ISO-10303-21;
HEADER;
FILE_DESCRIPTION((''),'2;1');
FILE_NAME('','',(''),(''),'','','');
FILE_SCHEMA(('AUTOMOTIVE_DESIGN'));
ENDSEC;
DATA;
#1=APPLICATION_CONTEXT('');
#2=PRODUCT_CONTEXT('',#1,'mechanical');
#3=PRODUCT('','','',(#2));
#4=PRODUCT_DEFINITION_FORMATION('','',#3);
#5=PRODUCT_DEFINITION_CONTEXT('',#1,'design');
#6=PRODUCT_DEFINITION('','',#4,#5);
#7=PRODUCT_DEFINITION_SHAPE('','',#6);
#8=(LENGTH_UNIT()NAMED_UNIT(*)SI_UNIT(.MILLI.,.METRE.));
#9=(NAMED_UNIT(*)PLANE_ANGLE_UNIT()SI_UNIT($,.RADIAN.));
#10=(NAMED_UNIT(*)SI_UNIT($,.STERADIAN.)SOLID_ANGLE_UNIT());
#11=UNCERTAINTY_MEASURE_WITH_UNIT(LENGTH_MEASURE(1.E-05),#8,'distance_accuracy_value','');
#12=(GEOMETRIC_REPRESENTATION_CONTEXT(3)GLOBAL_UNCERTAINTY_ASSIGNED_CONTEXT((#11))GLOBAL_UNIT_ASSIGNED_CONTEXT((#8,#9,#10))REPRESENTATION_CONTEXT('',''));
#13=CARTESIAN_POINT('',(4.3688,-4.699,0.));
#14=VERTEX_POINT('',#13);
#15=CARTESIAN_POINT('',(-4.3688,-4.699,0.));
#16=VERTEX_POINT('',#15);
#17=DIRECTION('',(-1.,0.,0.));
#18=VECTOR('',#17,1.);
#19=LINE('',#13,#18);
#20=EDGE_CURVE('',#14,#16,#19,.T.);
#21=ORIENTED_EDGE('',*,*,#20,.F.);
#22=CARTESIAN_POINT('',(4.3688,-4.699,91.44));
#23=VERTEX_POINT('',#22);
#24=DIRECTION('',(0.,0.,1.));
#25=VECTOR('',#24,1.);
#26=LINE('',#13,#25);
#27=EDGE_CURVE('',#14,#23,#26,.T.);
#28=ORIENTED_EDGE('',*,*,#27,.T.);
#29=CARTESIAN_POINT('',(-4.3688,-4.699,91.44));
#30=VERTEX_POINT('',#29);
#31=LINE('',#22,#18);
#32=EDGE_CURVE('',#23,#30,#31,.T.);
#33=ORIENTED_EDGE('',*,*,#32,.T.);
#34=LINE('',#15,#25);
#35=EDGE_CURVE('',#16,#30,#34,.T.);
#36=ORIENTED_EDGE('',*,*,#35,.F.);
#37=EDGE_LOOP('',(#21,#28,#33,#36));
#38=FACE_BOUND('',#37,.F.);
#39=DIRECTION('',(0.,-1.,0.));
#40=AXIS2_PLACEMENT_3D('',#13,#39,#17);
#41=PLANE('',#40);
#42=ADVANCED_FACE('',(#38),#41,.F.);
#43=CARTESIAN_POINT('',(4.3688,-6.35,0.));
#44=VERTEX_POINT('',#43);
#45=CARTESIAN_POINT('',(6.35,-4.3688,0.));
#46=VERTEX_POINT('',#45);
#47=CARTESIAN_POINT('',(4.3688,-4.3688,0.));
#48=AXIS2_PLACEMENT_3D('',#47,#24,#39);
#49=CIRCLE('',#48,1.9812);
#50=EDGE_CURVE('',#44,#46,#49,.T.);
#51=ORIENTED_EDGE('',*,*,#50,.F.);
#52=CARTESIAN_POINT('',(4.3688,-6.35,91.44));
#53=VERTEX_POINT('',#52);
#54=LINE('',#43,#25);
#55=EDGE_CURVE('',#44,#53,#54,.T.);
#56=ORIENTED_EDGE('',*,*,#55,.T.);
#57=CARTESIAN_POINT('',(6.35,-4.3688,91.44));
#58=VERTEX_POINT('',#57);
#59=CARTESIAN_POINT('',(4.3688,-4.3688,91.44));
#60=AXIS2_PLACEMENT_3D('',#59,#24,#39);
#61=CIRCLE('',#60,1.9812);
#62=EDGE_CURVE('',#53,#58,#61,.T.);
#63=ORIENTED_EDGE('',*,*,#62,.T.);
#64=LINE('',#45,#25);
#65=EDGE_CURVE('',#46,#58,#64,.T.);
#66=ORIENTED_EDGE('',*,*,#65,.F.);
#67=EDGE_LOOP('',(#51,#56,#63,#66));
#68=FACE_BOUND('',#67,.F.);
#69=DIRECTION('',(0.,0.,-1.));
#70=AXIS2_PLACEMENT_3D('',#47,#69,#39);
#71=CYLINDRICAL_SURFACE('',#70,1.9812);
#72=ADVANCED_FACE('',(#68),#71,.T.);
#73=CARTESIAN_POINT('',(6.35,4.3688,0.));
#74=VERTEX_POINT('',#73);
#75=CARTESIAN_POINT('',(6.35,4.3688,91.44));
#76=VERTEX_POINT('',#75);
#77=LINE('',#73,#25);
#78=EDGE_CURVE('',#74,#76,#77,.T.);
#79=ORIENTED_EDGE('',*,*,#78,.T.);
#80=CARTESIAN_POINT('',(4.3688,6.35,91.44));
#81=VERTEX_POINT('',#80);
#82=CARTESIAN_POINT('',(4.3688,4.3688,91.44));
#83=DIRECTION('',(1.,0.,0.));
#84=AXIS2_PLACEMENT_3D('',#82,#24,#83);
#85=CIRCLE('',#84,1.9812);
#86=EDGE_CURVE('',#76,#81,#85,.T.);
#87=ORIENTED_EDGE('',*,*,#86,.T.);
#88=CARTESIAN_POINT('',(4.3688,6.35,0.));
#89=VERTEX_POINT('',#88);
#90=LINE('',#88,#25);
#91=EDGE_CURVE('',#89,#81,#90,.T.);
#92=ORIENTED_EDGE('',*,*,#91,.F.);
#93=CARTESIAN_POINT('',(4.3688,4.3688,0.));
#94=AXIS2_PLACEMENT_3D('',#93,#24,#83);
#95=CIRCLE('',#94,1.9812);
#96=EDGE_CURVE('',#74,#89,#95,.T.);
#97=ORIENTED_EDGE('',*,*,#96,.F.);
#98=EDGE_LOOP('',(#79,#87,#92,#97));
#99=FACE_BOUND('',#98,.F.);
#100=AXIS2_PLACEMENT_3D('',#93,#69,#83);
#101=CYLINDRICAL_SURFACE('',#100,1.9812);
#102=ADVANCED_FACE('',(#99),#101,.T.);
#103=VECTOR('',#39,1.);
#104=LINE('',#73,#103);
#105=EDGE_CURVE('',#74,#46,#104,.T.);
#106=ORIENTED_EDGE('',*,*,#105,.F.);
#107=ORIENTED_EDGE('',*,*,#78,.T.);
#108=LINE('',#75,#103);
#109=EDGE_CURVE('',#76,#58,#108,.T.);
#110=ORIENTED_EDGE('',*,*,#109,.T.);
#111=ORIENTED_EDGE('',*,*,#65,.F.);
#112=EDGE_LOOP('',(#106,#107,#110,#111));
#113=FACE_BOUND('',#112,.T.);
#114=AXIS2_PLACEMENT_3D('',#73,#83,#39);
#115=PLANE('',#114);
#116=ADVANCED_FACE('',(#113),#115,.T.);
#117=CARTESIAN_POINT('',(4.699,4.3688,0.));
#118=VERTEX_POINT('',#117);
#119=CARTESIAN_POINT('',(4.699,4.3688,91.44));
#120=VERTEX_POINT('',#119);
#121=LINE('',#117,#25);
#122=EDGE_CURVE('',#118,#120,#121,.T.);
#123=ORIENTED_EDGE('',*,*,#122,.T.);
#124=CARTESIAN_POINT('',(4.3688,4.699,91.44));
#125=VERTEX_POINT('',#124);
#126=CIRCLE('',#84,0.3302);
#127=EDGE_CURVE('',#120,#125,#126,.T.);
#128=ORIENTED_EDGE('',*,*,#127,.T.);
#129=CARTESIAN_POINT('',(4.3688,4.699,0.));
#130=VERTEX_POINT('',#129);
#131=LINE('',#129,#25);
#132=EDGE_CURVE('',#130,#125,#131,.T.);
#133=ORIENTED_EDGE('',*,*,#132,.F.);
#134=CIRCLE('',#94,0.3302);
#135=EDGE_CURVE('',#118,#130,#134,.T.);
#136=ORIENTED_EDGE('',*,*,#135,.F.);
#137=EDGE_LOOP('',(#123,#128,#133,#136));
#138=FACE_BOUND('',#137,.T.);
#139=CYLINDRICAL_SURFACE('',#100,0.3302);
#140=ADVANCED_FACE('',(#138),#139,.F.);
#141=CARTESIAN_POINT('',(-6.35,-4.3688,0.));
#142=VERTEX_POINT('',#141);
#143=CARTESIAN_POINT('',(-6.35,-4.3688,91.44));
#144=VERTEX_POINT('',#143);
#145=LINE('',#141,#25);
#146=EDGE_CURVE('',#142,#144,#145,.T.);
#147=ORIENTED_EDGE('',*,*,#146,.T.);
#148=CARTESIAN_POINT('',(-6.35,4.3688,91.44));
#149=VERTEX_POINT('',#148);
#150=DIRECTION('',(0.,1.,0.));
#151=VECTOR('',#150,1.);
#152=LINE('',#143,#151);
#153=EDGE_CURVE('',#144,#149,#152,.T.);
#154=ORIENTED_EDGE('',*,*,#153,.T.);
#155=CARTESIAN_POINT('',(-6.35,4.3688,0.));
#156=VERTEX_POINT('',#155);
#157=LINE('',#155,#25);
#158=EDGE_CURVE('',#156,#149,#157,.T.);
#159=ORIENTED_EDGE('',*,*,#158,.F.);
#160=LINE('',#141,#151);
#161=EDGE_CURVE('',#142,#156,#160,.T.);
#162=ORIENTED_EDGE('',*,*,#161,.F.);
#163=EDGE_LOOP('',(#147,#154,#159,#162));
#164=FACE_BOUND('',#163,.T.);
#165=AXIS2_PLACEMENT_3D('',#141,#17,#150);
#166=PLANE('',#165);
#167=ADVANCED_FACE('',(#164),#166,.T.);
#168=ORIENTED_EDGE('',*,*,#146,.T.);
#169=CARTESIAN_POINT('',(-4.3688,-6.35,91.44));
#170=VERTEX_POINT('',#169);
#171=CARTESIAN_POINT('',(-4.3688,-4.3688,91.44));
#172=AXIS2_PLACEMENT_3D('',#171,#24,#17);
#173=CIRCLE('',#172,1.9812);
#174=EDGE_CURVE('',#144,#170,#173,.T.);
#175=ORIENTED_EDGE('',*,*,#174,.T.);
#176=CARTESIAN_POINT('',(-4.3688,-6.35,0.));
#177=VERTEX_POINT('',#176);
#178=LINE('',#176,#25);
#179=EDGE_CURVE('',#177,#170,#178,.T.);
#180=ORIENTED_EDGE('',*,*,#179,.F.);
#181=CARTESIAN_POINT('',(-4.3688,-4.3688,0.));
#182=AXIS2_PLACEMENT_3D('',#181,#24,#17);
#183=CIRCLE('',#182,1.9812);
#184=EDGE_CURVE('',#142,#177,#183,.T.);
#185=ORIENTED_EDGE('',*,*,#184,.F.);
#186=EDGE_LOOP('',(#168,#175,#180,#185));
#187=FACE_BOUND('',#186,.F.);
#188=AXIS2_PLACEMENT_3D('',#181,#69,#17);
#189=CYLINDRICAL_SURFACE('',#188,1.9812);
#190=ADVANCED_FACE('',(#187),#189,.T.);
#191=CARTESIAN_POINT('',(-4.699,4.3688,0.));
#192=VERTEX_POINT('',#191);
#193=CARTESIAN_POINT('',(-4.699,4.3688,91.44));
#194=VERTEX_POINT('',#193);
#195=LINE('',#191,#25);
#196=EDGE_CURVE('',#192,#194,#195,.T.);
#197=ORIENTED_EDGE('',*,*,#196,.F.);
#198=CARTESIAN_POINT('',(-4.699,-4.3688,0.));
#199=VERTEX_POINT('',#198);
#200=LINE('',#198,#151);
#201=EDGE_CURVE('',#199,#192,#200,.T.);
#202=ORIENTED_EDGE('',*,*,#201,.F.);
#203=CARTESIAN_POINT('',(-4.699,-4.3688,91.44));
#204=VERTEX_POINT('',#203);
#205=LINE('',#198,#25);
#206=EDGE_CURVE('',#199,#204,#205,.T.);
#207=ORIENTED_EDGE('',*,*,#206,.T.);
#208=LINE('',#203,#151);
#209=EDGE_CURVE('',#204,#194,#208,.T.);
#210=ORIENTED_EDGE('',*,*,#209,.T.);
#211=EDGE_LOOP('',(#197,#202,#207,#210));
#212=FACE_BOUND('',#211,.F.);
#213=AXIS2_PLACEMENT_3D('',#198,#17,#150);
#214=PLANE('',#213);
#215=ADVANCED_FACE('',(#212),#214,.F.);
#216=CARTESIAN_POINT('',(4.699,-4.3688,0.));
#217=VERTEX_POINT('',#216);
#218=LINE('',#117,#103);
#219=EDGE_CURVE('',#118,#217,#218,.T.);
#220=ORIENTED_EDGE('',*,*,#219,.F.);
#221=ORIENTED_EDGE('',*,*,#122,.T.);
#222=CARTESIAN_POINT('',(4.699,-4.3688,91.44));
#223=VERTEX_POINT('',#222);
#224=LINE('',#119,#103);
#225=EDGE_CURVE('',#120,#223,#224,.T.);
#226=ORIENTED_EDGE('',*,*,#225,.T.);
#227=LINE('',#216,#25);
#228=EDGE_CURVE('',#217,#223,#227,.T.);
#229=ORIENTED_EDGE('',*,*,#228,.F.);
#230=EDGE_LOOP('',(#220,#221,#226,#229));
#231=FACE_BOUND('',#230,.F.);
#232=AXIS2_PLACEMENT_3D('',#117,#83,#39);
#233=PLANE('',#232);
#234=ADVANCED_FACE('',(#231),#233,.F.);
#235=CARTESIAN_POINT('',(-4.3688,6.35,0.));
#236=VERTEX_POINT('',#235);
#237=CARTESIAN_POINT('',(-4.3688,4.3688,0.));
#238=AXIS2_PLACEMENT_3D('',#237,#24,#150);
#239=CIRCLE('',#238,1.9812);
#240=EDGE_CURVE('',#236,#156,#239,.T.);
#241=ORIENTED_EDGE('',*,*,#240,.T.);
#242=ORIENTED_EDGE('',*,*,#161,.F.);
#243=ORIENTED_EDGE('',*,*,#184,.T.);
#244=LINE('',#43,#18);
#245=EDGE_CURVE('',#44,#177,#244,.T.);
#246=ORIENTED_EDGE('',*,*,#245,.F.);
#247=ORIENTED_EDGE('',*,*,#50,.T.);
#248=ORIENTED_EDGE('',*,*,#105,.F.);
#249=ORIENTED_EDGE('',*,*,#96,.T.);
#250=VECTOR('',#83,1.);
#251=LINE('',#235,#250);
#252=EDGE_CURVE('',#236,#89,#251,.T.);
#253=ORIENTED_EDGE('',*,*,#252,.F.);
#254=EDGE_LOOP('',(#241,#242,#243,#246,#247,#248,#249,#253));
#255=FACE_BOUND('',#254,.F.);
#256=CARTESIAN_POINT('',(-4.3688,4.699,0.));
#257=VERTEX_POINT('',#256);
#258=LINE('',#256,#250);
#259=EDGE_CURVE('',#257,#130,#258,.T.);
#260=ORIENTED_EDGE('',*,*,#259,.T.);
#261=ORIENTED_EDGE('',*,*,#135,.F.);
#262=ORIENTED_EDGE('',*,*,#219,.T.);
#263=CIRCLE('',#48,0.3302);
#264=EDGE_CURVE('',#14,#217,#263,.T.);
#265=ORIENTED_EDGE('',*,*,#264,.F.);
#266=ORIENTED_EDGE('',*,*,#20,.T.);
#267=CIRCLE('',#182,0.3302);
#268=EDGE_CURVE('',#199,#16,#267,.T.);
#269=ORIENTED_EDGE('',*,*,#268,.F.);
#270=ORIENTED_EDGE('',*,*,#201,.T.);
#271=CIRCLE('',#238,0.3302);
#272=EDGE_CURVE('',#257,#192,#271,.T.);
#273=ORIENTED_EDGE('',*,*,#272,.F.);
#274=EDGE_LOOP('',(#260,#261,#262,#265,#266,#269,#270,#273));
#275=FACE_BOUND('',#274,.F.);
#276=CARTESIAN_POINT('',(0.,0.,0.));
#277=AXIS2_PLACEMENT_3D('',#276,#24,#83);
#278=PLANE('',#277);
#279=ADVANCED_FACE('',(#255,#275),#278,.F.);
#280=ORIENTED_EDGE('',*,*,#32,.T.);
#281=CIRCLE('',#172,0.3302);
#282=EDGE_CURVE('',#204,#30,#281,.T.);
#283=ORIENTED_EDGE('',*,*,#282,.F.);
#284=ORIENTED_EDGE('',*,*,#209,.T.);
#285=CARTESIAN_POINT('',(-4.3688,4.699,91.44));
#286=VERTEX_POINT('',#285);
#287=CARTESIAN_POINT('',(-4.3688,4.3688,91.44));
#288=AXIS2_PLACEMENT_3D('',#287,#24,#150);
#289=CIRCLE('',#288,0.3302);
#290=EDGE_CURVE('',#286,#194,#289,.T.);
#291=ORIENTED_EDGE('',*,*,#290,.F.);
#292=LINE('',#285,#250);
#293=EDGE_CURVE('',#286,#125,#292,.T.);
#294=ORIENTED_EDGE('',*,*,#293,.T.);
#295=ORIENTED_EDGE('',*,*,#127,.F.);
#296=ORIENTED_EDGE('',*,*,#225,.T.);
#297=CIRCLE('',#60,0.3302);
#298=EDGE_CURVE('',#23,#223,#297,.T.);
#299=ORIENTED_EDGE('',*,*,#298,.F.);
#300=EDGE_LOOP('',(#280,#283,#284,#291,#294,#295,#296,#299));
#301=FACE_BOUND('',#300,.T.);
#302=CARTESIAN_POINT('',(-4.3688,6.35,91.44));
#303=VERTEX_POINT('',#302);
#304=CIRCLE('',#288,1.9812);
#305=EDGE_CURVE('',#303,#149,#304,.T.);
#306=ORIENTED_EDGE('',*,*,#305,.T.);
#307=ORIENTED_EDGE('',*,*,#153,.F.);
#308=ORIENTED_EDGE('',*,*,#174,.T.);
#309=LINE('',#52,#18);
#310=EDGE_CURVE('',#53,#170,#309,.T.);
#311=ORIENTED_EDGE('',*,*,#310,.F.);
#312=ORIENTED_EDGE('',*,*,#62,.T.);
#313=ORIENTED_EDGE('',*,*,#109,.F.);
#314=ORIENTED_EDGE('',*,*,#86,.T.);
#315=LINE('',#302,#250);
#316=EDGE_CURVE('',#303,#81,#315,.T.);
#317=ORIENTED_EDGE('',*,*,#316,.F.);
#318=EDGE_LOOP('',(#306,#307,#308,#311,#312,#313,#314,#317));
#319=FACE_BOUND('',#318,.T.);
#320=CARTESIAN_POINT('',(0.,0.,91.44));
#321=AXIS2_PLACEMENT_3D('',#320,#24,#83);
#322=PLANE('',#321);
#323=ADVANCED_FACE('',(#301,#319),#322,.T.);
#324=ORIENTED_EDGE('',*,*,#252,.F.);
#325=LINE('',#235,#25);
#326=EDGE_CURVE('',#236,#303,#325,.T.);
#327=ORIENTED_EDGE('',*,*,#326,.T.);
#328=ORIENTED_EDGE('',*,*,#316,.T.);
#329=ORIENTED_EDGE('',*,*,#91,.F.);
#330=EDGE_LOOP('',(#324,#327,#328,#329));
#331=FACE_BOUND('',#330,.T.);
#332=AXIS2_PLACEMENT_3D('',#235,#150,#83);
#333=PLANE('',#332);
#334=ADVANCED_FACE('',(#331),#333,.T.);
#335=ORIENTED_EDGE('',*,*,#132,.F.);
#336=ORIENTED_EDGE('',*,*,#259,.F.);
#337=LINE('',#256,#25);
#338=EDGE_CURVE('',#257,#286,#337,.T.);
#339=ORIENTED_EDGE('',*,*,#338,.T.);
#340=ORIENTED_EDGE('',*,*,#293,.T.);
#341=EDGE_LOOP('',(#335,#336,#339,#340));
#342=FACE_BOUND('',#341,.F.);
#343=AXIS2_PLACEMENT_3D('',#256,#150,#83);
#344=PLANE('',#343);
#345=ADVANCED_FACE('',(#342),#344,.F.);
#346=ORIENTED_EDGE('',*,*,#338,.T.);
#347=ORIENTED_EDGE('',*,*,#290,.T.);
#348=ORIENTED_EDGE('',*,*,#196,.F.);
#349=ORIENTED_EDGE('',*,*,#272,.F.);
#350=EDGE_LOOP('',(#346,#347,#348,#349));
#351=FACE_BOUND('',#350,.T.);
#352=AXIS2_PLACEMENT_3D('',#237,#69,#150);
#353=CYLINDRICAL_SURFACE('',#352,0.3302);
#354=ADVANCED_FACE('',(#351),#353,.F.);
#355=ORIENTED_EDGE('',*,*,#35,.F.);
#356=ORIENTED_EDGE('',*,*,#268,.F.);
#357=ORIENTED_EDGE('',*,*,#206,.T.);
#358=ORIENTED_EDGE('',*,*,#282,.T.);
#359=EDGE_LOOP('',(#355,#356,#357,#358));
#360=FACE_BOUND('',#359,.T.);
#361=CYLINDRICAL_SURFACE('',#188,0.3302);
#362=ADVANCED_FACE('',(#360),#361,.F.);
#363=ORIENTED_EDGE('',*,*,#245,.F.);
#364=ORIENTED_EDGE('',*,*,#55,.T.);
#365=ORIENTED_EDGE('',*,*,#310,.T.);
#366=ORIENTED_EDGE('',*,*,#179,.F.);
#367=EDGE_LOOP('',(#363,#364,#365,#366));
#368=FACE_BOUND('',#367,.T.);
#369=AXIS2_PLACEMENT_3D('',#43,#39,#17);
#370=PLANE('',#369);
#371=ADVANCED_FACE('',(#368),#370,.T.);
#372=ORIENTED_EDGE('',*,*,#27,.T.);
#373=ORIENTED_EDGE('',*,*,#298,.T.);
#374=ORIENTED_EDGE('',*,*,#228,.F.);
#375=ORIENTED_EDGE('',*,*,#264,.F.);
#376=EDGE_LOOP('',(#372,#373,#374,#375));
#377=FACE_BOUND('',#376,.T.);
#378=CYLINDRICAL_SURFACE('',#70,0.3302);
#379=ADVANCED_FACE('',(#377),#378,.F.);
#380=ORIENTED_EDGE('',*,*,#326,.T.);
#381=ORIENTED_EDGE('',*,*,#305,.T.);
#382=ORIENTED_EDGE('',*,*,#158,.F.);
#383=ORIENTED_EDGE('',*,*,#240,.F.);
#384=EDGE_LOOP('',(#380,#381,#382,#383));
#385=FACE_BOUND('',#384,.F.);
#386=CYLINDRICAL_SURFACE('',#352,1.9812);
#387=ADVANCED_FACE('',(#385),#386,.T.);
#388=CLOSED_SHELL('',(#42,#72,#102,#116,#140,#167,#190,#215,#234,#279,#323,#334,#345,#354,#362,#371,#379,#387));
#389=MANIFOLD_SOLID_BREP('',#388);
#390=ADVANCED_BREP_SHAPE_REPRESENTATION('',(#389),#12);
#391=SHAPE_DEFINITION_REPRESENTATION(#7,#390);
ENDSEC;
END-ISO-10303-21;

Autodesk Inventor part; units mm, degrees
ref_plane "YZ Plane" through (0, 0, 0) normal (1, 0, 0) x (0, 1, 0)
ref_plane "Start plane" through (0, 0, 0) normal (0, 0, 1) x (1, 0, 0)
ref_plane "End plane" through (0, 0, 91.44) normal (0, 0, 1) x (1, 0, 0)
sketch "Sketch" plane through (0, 0, 0) normal (0, 0, 1) x (1, 0, 0)
  line L0 (-6.35, -4.3688) -> (-6.35, 4.3688)
  line L1 (-4.3688, 6.35) -> (4.3688, 6.35)
  line L2 (6.35, 4.3688) -> (6.35, -4.3688)
  line L3 (4.3688, -6.35) -> (-4.3688, -6.35)
  arc A0 (-6.35, -4.3688) -> (-4.3688, -6.35) centre (-4.3688, -4.3688) ccw
  arc A1 (-4.3688, 6.35) -> (-6.35, 4.3688) centre (-4.3688, 4.3688) ccw
  arc A2 (6.35, 4.3688) -> (4.3688, 6.35) centre (4.3688, 4.3688) ccw
  arc A3 (4.3688, -6.35) -> (6.35, -4.3688) centre (4.3688, -4.3688) ccw
  arc A4 (-4.3688, 4.699) -> (-4.699, 4.3688) centre (-4.3688, 4.3688) ccw
  line L4 (-4.3688, 4.699) -> (4.3688, 4.699)
  arc A5 (4.699, 4.3688) -> (4.3688, 4.699) centre (4.3688, 4.3688) ccw
  line L5 (4.699, 4.3688) -> (4.699, -4.3688)
  arc A6 (4.3688, -4.699) -> (4.699, -4.3688) centre (4.3688, -4.3688) ccw
  line L6 (4.3688, -4.699) -> (-4.3688, -4.699)
  arc A7 (-4.699, -4.3688) -> (-4.3688, -4.699) centre (-4.3688, -4.3688) ccw
  line L7 (-4.699, -4.3688) -> (-4.699, 4.3688)
  line L8 (0, 9.4644) -> (0, -9.4644) construction
  line L9 (-10.1124, 0) -> (13.3521, 0) construction
  dimension "d10" = 12.7
  dimension "d11" = 12.7
  dimension "d12" = 1.651
  dimension "d15" = 6.35
  dimension "d16" = 6.35
  dimension "d17" = 1.9812
extrude "Body" add sketch "Sketch" along normal up to surface (91.44 mm away) from surface at 0
sketch "Sketch3" plane through (0, 0, 0) normal (0, 0, 1) x (1, 0, 0)
  line L0 (0, 0) -> (10, 0)
ref_plane "Work Plane3" through (0, 0, 0) normal (0, -1, 0) x (1, 0, 0)
sketch "Sketch4" plane through (0, 0, 0) normal (0, -1, 0) x (1, 0, 0)
  line L0 (-2, 0) -> (12, 0)
  line L1 (-2, 91.44) -> (12, 91.44)
  dimension "d19" = 91.44
sketch "Sketch5" plane through (-6.35, 4.3688, 0) normal (-1, 0, 0) x (0, 0, 1)
  point P0 (0, -4.3688)
equation "\"d10\" = G_H"
equation "\"d11\" = G_W"
equation "\"d12\" = G_T"
equation "\"d15\" = 0.5 * d10"
equation "\"d16\" = 0.5 * d11"
equation "\"d17\" = G_IR"
equation "\"d3\" = G_L"
equation "\"G_W\" = 12.7"
equation "\"G_H\" = 12.7"
equation "\"G_T\" = 1.651"
equation "\"G_IR\" = 1.2 * G_T"
equation "\"G_L\" = d19"
equation "\"G_OFFSET_START\" = 0"
equation "\"G_OFFSET_END\" = 0"
equation "\"d14\" = G_OFFSET_END + B_L"
equation "\"B_L\" = 91.44"
properties part number "ASTM A513 - 1/2 x 1/2 x 13/200 - 3.6" material "Steel, Mild"
